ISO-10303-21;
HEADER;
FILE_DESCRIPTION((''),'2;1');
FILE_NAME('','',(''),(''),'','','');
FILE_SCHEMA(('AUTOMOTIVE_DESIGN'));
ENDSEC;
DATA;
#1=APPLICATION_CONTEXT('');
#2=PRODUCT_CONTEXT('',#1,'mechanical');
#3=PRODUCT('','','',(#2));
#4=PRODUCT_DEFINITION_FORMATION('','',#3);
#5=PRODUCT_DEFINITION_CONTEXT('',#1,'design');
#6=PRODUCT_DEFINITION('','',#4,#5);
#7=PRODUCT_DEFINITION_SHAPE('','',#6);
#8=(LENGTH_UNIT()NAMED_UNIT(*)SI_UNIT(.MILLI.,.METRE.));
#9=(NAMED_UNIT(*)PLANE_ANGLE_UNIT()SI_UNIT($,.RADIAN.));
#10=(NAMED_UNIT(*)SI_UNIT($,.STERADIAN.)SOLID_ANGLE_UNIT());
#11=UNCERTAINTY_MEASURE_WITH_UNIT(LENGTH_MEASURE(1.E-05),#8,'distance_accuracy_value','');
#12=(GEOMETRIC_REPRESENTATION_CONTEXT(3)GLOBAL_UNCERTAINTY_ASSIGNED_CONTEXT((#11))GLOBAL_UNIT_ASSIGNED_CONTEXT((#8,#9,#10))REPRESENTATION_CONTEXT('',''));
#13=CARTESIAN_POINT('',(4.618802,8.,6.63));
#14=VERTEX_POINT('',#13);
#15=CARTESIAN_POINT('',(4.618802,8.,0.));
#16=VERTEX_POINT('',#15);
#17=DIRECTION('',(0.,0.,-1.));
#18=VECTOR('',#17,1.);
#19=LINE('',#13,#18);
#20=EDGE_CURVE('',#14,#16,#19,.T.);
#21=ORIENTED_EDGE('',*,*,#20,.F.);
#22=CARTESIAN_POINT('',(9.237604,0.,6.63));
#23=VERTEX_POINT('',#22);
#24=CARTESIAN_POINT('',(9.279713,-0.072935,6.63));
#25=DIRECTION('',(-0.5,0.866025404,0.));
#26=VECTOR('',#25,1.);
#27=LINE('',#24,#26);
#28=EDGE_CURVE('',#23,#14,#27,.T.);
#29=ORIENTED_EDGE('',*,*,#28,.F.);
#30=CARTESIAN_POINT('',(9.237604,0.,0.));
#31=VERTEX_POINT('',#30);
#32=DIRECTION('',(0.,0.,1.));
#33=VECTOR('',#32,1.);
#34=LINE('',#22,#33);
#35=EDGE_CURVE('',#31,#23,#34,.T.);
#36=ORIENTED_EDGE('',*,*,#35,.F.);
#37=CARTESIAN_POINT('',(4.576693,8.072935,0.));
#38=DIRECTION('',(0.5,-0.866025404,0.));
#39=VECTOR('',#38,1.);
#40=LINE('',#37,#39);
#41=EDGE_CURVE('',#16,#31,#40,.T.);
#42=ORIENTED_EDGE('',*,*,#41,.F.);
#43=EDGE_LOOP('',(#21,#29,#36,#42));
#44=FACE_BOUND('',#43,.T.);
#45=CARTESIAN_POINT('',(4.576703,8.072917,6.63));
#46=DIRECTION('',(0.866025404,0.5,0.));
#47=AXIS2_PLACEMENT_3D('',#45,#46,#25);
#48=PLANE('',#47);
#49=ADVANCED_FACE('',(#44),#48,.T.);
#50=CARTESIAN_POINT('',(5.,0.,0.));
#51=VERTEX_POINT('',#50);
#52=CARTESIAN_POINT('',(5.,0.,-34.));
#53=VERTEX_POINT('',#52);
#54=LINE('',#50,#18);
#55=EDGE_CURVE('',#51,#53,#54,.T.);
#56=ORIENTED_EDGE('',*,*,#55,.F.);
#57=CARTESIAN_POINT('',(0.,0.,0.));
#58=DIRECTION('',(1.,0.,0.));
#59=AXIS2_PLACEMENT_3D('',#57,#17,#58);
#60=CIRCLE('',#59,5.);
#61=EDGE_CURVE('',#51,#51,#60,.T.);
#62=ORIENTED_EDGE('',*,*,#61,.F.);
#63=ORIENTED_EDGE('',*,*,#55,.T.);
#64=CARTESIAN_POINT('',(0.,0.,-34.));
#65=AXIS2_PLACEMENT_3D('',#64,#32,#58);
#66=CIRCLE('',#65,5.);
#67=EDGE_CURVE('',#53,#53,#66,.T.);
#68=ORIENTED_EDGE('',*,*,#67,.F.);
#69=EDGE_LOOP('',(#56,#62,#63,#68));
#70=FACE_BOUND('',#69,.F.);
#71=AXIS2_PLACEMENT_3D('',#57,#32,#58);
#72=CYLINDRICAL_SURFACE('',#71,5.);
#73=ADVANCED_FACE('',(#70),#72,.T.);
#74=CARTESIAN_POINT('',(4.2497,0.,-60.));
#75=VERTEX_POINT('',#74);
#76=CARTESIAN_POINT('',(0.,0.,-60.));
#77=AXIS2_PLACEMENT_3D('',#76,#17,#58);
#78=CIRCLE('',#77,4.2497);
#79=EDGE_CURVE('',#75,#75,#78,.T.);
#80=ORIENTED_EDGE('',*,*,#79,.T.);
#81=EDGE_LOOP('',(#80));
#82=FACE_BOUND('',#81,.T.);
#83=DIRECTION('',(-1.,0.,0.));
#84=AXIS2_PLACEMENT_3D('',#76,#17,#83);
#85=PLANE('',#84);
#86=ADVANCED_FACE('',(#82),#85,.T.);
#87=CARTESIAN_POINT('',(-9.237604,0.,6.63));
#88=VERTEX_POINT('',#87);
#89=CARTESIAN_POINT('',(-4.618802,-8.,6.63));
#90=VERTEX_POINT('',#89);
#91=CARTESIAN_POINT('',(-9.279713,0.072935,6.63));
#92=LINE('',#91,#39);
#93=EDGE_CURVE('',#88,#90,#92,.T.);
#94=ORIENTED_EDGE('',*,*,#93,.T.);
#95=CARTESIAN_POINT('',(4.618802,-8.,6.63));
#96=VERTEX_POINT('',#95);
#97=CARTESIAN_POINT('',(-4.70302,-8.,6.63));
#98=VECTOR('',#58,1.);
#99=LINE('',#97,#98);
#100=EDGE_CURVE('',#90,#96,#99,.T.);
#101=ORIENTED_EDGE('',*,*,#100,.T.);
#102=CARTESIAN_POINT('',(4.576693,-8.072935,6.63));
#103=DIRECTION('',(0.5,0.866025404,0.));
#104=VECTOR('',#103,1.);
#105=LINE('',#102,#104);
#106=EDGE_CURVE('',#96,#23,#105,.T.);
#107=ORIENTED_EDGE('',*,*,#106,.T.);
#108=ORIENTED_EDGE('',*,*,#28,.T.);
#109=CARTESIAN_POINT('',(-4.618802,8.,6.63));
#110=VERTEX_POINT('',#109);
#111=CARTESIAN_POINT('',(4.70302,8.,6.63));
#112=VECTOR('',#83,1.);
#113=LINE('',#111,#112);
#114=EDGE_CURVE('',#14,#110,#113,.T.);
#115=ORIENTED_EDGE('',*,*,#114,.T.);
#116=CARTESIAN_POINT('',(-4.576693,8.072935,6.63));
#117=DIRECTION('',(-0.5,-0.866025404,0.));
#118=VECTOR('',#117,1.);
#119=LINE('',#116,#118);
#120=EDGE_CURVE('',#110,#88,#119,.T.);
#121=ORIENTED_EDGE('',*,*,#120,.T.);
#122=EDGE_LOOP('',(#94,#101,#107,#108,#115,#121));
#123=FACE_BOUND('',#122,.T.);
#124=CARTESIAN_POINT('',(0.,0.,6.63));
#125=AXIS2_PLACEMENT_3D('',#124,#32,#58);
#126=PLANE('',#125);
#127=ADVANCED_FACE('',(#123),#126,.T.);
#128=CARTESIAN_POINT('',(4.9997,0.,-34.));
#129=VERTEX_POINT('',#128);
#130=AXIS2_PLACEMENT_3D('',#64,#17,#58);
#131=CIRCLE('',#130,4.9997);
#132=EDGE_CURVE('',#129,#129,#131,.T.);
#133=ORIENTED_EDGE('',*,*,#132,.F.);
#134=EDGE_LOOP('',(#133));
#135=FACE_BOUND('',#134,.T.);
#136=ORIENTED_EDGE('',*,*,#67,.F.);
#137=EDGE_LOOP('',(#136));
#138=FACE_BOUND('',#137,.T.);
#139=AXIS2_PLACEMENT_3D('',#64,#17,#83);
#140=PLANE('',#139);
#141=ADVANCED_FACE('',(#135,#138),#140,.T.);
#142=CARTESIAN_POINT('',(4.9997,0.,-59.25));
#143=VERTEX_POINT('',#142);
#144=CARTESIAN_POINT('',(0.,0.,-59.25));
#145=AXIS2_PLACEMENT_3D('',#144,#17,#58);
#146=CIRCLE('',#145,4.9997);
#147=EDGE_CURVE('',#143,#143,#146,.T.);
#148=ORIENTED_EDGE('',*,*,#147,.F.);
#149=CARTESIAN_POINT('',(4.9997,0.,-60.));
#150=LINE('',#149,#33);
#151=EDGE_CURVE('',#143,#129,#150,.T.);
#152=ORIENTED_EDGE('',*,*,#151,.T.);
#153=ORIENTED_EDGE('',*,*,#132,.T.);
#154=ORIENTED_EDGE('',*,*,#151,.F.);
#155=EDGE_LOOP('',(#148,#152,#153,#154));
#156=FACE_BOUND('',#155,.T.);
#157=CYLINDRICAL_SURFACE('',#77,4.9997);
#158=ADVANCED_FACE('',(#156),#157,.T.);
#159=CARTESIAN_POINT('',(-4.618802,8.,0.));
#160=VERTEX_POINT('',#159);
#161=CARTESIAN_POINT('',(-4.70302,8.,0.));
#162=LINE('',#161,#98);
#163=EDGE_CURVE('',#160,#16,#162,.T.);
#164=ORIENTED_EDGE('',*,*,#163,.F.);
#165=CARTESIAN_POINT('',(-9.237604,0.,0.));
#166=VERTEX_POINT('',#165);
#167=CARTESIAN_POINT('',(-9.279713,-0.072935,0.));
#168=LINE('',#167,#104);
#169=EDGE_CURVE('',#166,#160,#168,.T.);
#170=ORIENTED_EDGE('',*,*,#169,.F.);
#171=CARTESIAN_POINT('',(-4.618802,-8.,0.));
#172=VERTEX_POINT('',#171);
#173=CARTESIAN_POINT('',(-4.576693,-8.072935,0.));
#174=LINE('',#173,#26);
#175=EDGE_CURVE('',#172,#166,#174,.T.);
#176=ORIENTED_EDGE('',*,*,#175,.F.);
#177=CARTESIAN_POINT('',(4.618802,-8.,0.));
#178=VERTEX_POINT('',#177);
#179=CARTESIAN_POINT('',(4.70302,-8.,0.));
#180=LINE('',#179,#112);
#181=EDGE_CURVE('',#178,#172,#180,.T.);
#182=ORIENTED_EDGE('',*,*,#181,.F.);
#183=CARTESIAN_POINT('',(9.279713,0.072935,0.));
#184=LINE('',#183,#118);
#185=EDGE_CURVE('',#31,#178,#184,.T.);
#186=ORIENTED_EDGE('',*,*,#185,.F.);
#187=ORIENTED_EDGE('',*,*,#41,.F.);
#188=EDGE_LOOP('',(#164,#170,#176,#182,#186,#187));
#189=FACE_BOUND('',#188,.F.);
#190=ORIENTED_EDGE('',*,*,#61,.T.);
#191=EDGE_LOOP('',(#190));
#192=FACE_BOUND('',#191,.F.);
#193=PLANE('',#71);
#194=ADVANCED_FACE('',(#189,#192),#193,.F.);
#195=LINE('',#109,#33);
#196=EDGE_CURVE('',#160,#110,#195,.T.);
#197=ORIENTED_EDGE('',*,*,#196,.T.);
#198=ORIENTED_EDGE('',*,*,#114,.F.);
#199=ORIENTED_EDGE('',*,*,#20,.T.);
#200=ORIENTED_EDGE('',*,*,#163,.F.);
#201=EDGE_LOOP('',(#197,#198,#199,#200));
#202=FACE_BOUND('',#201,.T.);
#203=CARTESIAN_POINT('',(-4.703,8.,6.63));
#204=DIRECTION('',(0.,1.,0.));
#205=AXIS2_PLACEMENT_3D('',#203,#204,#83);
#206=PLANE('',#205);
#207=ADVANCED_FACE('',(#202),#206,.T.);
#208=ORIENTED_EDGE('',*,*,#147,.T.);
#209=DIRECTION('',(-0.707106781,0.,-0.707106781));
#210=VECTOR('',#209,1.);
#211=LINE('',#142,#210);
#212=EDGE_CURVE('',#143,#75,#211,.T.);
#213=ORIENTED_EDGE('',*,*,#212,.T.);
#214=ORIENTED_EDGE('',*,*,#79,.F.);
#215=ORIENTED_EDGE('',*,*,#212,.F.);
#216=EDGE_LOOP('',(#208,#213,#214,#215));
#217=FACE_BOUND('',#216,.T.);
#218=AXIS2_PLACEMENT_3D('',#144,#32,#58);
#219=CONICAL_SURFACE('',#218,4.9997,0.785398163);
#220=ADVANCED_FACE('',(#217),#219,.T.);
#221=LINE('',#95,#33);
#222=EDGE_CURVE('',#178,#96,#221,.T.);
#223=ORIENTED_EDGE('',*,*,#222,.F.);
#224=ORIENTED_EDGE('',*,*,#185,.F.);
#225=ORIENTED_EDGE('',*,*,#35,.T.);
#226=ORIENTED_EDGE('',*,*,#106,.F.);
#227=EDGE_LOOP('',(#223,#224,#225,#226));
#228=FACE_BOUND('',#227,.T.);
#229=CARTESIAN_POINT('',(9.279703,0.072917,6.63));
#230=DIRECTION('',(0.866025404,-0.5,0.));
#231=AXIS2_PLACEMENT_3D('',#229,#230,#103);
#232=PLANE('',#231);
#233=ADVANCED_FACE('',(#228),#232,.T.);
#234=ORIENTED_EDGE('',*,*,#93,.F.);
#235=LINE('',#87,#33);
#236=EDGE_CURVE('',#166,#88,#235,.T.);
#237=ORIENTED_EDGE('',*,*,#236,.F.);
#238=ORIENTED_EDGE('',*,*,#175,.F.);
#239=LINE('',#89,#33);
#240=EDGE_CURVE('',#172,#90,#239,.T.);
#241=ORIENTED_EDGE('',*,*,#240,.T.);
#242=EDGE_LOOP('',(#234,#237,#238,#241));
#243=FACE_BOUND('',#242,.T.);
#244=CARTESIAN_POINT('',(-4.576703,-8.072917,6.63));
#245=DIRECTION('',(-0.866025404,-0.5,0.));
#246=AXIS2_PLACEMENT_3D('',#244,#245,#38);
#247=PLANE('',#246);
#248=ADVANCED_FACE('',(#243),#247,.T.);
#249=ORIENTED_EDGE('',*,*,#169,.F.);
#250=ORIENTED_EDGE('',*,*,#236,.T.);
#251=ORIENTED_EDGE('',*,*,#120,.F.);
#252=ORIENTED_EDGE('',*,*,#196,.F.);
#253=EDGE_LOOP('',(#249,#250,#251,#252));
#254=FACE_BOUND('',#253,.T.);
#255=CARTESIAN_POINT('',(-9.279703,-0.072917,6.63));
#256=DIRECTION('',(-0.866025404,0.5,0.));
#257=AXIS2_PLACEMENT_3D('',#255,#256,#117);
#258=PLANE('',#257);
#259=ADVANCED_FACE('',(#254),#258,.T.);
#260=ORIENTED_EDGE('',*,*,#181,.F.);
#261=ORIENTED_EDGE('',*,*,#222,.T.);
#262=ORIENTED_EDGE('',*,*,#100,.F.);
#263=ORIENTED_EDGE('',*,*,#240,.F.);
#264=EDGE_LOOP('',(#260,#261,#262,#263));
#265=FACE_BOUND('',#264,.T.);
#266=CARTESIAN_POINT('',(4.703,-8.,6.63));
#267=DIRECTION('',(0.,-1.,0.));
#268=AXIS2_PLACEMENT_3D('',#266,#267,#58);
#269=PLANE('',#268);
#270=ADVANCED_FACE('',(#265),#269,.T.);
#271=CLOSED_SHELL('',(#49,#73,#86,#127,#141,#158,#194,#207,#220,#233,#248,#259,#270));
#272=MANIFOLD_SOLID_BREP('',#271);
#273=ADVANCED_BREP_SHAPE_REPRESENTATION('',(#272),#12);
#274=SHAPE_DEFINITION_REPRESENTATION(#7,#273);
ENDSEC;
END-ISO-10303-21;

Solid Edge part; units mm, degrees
sketch "Sketch1" plane through (0, 0, 0) normal (0, 0, 1) x (1, 0, 0)
  circle A0 centre (0, 0) radius 9.28
  dimension "D1" = 18.56
extrude "Protrusion1" add sketch "Sketch1" along normal blind 6.63
sketch "Sketch2" plane through (0, 0, 0) normal (0, 0, -1) x (1, 0, 0)
  circle A0 centre (0, 0) radius 5
extrude "Protrusion2" add sketch "Sketch2" along normal blind 60
sketch "Sketch3" plane through (0, 0, -60) normal (0, 0, -1) x (1, 0, 0)
  circle A0 centre (0, 0) radius 4.9997
extrude "Cutout1" cut sketch "Sketch3" against normal blind 26 flip side to cut
chamfer "Chamfer_1" distance 0.75 angle 45 1 edges at (-4.9997, 0, -60)
sketch "Sketch4" plane through (0, 0, 6.63) normal (0, 0, 1) x (1, 0, 0)
  line L0 (-4.703, 8) -> (4.703, 8)
  dimension "D1" = 16
extrude "Cutout2" cut sketch "Sketch4" against normal up to next material side at (0, 8.05, 6.63)
pattern_circular "Pattern1" count 6 over 360 about axis through (0, 0, 6.63) along (0, 0, 1) of "Cutout2"
properties part number "118026" material "Stainless Steel, 304"
